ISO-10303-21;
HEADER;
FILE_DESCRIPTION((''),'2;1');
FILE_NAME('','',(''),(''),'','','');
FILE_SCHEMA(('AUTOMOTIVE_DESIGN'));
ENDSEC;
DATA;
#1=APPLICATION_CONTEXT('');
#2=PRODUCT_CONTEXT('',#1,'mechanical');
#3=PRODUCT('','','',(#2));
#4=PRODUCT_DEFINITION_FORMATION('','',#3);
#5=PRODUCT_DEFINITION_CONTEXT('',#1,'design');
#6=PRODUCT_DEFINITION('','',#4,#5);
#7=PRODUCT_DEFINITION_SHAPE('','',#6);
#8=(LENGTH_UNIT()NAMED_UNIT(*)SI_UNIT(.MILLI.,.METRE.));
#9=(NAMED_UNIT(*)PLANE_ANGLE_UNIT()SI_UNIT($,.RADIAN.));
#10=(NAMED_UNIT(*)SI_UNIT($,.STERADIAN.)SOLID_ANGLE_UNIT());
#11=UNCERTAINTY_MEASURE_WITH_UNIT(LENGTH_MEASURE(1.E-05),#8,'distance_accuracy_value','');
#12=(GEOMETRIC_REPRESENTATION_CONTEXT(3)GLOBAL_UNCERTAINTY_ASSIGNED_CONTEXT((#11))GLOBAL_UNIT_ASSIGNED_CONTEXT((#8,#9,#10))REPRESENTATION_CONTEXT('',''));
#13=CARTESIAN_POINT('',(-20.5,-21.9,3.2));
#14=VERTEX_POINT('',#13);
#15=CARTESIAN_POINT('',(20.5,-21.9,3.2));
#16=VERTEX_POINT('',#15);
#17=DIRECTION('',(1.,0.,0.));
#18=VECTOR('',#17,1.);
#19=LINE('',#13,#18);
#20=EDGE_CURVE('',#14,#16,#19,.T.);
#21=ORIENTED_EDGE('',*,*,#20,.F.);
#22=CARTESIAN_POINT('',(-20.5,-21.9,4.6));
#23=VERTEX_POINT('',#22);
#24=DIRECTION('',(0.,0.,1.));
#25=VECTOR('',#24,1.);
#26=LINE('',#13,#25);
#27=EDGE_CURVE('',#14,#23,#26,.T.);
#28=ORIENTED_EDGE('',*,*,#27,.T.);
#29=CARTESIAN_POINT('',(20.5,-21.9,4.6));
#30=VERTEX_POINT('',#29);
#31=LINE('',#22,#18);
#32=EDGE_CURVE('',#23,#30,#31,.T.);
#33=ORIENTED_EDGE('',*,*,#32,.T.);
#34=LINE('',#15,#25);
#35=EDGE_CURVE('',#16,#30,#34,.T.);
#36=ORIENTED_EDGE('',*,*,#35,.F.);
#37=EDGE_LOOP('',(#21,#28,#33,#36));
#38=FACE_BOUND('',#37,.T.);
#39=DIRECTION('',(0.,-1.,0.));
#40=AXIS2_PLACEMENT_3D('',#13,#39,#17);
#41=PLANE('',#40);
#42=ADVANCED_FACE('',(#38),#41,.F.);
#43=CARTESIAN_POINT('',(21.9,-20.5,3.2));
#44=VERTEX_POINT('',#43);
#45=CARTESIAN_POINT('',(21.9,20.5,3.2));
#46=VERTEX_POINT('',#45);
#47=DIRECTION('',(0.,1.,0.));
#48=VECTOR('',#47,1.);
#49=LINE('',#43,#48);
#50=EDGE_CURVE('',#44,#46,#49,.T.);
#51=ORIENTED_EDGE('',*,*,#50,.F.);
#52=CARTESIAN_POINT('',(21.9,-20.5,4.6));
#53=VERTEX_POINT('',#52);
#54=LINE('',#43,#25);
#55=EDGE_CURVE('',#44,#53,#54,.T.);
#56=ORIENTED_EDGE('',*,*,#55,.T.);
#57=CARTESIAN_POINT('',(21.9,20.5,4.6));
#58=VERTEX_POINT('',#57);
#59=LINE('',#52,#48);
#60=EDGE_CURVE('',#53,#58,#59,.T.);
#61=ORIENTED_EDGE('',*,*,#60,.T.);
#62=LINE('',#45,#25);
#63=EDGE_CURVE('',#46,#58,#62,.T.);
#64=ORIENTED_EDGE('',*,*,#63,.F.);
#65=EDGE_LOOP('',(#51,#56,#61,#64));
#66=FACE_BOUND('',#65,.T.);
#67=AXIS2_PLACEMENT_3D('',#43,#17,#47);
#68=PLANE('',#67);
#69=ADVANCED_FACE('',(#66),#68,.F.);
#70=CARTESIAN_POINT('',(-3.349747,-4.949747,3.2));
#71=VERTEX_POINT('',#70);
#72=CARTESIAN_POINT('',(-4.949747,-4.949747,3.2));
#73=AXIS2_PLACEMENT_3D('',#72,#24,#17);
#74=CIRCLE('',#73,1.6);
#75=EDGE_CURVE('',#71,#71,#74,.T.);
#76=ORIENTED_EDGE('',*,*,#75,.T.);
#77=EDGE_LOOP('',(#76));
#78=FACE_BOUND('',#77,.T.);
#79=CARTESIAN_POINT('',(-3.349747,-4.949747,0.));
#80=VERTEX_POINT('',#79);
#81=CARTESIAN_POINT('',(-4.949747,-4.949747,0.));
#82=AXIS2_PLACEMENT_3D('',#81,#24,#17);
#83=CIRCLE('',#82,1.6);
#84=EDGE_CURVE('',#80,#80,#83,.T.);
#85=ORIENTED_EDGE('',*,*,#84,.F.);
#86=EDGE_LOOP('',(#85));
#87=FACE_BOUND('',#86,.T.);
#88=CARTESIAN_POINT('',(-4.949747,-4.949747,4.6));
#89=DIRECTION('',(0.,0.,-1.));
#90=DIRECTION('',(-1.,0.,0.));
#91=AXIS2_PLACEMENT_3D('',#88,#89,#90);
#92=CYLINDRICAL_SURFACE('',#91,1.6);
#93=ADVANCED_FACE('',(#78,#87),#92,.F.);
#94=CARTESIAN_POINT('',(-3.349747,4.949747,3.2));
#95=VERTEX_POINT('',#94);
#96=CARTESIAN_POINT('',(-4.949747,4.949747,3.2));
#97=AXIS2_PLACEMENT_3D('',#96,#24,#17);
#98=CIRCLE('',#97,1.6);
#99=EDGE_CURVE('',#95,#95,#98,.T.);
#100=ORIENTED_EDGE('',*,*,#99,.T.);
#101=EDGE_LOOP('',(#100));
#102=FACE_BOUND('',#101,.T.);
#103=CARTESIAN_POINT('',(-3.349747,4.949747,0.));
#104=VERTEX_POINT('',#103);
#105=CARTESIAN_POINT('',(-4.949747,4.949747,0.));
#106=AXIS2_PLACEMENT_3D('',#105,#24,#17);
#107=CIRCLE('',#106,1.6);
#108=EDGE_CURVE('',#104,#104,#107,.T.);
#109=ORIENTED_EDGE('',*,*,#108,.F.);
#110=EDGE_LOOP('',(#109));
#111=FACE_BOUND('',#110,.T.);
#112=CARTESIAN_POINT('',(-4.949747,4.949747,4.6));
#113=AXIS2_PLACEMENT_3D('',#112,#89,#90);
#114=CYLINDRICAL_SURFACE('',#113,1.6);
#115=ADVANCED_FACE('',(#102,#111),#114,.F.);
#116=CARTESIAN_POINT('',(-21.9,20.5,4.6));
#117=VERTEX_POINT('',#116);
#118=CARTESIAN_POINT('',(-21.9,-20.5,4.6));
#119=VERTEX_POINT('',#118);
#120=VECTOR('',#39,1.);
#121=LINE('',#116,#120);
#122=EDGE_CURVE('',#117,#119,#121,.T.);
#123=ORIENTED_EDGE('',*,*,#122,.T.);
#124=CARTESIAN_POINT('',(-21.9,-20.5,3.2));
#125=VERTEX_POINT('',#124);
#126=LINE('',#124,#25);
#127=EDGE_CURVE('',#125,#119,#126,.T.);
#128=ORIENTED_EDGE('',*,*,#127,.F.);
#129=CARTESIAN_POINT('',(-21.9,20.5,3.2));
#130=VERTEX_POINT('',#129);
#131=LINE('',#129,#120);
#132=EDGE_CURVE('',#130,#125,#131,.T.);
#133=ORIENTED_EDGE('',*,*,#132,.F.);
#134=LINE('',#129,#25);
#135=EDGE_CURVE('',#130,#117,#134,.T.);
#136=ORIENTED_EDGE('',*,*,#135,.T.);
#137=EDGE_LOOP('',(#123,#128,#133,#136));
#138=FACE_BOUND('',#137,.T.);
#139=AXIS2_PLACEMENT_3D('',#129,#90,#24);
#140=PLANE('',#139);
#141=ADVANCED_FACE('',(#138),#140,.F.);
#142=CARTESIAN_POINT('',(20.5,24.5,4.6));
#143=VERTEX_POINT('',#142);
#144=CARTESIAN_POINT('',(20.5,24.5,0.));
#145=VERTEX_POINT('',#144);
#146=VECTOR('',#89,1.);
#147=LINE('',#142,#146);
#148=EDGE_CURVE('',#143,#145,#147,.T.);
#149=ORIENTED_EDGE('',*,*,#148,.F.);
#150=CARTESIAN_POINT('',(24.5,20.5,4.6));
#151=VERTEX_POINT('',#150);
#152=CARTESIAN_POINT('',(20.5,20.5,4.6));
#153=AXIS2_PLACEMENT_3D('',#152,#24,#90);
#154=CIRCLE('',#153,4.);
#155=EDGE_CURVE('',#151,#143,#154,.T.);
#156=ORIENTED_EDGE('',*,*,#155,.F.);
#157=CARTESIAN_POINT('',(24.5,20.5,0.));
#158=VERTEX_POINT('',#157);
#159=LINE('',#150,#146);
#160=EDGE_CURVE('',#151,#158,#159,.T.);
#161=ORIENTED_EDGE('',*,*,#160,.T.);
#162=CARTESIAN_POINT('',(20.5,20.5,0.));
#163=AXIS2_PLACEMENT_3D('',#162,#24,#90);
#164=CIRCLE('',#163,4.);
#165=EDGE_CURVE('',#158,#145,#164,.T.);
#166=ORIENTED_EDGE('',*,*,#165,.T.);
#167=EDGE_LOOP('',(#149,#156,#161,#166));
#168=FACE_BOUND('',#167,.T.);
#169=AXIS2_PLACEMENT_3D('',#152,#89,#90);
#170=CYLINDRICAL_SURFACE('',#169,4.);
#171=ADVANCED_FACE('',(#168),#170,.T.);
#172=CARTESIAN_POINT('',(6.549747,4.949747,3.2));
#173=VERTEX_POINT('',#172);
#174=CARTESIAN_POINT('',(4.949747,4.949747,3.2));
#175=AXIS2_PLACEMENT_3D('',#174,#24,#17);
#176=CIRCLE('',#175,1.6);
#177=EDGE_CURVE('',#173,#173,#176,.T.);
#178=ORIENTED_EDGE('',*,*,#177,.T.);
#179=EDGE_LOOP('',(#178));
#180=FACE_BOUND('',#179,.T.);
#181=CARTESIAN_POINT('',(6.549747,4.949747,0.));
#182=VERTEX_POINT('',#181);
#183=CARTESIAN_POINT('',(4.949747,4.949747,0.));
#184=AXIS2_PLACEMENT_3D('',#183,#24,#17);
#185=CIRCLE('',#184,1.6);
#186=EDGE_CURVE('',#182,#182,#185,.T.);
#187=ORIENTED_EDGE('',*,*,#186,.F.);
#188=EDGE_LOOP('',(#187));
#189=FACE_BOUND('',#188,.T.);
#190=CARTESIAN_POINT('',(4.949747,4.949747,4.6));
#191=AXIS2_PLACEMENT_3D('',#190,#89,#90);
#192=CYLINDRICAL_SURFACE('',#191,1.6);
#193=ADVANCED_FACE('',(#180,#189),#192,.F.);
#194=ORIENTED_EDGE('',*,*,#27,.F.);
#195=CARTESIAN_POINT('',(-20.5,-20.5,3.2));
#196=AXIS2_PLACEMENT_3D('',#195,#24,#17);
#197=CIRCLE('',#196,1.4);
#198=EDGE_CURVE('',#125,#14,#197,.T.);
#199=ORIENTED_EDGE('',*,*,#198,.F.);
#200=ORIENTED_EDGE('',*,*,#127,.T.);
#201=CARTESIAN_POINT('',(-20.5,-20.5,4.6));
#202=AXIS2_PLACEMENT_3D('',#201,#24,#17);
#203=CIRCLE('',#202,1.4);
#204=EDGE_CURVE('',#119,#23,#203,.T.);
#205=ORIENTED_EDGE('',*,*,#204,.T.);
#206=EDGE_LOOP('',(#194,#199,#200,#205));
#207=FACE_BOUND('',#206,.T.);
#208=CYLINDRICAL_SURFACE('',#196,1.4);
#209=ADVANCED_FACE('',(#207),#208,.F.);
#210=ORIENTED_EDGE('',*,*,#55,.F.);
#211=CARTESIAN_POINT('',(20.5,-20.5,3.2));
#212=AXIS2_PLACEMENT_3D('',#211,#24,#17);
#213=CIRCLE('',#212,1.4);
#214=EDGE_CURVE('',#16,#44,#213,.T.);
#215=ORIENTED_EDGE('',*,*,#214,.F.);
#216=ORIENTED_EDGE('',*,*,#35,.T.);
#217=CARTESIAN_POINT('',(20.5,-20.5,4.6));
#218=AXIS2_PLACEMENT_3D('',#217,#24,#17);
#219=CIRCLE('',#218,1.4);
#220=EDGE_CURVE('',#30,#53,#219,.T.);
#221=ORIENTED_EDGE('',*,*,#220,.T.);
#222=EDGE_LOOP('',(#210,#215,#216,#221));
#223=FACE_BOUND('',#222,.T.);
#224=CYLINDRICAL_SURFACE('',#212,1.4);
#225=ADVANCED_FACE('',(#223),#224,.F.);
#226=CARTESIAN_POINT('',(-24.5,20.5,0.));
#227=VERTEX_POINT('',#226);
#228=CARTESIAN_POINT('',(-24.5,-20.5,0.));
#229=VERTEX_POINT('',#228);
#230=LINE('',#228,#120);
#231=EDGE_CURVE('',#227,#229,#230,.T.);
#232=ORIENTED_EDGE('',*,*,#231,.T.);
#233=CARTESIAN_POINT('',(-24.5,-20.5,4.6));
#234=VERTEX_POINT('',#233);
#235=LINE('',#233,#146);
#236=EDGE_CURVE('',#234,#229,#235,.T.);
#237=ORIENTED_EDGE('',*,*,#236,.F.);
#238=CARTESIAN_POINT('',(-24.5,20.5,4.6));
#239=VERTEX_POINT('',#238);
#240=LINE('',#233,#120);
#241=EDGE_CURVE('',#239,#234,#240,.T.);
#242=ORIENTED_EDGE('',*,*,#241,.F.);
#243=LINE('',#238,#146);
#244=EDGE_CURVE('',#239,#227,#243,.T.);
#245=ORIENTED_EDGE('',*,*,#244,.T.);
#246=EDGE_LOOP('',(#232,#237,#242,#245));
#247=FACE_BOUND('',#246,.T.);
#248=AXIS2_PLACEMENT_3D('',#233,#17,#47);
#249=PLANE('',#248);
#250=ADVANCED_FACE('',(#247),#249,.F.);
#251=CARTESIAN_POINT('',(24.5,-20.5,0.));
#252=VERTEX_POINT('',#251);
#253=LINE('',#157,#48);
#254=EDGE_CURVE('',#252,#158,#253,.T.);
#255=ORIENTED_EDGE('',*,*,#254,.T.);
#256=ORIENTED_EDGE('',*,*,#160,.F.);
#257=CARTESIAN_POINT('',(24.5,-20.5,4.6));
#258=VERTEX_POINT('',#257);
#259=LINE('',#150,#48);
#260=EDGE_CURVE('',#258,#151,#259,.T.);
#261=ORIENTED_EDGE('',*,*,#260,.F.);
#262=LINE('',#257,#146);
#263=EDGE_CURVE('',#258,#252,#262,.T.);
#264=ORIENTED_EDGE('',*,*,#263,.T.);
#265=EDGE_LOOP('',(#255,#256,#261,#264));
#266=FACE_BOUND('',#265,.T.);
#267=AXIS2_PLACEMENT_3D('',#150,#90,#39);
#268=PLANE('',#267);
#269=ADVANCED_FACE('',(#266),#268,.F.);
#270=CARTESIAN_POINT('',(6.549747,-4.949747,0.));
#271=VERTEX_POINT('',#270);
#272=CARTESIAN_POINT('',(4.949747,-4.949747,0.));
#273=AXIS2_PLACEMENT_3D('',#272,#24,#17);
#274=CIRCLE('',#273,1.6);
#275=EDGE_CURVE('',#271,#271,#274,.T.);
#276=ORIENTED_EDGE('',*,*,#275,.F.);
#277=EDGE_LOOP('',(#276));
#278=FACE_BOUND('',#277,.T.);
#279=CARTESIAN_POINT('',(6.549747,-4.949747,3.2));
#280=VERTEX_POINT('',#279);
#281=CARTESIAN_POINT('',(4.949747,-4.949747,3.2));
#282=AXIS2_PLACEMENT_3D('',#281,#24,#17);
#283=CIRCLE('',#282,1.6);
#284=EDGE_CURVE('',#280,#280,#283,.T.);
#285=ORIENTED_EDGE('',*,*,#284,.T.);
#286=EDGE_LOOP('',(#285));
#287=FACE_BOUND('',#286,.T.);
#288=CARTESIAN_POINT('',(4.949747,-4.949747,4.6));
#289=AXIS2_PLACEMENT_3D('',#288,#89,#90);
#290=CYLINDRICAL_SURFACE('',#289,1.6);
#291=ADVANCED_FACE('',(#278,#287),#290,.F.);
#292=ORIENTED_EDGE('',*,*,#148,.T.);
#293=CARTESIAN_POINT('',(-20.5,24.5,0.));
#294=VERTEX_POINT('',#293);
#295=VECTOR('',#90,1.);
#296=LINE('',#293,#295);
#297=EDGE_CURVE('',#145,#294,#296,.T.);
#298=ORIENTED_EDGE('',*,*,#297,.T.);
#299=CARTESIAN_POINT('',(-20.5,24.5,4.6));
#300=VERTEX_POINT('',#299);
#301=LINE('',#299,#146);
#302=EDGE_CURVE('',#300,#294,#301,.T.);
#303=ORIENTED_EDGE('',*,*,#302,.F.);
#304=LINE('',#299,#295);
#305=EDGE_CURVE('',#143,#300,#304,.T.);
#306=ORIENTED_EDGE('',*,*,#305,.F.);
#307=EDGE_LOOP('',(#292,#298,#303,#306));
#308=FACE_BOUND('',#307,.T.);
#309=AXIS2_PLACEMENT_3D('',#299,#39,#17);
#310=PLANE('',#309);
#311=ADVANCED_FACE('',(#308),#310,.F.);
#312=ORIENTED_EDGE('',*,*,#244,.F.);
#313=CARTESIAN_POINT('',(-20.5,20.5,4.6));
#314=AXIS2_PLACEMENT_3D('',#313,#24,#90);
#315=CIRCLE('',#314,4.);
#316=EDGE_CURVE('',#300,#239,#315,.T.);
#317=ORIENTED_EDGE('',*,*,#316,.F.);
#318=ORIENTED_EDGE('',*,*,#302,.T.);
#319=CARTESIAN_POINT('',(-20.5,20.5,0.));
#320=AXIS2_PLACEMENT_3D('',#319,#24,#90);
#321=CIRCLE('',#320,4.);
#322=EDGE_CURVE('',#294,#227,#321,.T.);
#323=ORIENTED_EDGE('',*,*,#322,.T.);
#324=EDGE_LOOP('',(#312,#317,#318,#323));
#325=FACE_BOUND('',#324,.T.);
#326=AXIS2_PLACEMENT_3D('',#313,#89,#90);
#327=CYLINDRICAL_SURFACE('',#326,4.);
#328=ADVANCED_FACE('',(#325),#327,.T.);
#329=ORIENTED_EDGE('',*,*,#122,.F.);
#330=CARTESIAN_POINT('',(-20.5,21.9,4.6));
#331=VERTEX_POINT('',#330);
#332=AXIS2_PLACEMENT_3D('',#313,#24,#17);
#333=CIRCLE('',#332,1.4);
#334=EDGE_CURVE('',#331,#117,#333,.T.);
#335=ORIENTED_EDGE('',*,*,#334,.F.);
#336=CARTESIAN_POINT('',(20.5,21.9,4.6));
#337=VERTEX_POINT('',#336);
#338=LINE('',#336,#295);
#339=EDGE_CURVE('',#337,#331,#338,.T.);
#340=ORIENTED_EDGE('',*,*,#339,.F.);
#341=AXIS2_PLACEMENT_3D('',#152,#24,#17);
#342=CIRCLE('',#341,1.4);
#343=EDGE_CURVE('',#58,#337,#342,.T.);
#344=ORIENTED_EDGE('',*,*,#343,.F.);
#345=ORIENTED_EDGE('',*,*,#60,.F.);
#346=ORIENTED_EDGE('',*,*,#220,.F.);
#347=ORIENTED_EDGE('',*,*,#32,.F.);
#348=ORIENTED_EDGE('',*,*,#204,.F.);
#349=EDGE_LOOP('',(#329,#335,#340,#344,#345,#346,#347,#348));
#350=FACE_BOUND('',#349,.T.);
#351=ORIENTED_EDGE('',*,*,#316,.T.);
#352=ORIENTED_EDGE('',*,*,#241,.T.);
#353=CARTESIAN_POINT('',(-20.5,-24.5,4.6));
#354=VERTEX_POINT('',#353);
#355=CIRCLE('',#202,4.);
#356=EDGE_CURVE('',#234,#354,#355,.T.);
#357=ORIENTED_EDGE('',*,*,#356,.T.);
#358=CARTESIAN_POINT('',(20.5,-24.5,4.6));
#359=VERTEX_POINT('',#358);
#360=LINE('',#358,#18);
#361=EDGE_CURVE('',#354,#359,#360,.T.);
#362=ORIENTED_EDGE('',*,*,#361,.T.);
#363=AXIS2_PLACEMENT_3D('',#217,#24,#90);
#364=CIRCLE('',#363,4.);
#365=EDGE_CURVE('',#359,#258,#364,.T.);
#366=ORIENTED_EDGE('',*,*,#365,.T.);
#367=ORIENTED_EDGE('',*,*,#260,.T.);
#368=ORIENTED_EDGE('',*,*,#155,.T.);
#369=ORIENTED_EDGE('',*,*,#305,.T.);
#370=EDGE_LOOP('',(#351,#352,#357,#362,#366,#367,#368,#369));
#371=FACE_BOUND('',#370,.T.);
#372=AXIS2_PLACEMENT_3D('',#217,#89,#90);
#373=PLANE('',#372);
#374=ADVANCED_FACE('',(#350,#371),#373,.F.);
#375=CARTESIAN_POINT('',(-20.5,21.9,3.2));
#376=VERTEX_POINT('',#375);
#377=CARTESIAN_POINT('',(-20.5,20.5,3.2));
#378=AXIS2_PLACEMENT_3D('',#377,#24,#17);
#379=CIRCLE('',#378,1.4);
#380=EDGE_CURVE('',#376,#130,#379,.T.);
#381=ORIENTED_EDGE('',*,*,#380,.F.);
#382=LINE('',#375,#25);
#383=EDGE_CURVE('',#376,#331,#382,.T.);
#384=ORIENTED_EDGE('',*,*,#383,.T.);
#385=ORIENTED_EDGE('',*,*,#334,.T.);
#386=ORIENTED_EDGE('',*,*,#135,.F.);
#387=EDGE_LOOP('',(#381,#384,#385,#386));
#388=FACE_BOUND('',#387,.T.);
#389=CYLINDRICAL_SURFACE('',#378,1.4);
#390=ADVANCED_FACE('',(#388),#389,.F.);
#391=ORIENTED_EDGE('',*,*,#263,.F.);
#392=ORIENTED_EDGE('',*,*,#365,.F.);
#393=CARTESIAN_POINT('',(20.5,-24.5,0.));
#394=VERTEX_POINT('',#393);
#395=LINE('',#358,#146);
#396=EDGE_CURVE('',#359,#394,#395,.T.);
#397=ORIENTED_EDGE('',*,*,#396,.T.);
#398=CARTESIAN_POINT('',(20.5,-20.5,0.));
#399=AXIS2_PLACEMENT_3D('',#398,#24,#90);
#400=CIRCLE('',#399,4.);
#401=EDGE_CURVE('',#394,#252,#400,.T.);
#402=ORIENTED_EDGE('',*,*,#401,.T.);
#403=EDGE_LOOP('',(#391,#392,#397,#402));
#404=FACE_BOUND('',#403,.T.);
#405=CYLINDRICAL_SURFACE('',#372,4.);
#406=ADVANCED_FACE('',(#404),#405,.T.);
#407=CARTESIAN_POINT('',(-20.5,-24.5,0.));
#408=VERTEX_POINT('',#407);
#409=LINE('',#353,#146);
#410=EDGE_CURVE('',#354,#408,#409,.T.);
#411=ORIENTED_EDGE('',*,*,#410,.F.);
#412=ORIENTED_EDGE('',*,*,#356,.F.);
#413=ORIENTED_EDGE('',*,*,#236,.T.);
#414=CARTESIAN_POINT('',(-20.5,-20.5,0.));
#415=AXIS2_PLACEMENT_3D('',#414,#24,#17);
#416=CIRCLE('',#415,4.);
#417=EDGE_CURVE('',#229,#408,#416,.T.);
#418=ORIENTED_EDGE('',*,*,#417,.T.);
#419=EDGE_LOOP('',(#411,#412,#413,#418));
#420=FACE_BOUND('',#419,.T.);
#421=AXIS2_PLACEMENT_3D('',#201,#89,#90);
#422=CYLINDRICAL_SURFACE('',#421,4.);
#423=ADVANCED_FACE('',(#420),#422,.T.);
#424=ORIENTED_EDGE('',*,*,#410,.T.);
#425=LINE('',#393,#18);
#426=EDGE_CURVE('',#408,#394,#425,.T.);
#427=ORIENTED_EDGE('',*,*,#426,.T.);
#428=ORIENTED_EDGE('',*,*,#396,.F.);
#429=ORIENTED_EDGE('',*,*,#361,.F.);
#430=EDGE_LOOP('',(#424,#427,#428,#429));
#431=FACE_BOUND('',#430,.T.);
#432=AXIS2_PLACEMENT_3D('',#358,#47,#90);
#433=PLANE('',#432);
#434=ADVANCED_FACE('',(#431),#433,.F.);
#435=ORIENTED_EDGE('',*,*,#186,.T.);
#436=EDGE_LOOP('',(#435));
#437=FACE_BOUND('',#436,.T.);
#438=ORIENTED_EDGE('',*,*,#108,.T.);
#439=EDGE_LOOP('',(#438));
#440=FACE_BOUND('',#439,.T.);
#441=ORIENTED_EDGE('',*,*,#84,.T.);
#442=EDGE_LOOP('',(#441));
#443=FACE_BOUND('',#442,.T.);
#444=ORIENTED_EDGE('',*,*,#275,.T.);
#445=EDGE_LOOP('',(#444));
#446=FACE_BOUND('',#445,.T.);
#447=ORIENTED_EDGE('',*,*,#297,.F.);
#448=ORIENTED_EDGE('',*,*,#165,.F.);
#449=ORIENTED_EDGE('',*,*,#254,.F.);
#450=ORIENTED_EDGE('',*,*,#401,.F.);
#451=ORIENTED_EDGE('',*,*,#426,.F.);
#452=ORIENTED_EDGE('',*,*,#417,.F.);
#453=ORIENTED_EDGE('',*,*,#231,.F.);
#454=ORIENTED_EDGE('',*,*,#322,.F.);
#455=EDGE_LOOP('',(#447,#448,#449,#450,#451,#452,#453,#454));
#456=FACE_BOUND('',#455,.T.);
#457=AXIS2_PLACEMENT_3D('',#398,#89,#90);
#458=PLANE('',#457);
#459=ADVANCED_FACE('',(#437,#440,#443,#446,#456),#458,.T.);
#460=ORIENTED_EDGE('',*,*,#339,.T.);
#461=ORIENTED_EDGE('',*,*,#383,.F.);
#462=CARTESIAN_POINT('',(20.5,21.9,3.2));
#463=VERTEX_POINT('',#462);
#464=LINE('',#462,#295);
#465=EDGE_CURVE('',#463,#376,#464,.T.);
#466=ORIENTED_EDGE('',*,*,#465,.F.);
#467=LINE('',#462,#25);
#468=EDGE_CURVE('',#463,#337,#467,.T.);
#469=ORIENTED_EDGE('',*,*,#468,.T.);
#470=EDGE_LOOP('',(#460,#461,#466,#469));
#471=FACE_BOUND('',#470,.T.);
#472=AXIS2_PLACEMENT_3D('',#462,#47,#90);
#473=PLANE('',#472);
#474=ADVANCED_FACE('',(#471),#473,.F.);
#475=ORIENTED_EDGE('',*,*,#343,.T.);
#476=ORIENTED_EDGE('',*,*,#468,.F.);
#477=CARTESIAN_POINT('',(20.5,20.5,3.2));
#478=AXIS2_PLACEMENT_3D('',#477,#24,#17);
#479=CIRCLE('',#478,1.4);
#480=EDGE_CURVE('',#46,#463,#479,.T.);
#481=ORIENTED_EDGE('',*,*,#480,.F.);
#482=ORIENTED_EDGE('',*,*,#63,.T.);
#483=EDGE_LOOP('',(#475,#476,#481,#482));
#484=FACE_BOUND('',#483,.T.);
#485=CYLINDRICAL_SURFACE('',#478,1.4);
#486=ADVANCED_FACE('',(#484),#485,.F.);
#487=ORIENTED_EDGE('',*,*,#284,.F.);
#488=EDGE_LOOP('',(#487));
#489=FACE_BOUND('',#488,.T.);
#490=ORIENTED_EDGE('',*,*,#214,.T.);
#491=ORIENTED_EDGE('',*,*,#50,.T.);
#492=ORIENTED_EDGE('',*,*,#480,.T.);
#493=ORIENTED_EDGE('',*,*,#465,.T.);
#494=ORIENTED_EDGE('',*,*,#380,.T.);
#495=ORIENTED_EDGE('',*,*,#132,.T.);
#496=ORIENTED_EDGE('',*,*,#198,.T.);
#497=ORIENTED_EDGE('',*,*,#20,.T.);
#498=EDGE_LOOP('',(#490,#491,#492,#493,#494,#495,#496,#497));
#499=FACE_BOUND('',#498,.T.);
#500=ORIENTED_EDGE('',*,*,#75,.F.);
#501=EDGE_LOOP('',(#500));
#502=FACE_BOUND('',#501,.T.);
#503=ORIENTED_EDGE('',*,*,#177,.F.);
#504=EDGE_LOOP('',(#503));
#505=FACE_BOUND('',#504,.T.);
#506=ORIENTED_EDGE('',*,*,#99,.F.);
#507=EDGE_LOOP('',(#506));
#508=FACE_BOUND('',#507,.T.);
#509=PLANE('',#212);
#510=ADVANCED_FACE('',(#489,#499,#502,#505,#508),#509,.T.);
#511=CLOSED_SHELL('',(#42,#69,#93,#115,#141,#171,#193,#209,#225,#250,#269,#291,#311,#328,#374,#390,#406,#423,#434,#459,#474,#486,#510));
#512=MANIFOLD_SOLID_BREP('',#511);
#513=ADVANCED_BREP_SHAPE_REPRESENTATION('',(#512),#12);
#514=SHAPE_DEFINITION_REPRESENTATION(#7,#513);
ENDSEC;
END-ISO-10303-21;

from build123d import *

# Parameters (mm, degrees)
SKETCH1_R           = 1.6
BOSS_EXTRUDE1_DEPTH = 4.6
CUT_EXTRUDE5_DEPTH  = 1.4


with BuildPart() as part:
    # Sketch1 → Boss-Extrude1 (new body)
    with BuildSketch(Plane.XY):
        with BuildLine():
            Line((-24.5, -20.5), (-24.5, 20.5))
            ThreePointArc((-24.5, 20.5), (-23.328427125, 23.328427125), (-20.5, 24.5))
            Line((-20.5, 24.5), (20.5, 24.5))
            ThreePointArc((20.5, 24.5), (23.328427125, 23.328427125), (24.5, 20.5))
            Line((24.5, 20.5), (24.5, -20.5))
            ThreePointArc((24.5, -20.5), (23.328427125, -23.328427125), (20.5, -24.5))
            Line((20.5, -24.5), (-20.5, -24.5))
            ThreePointArc((-20.5, -24.5), (-23.328427125, -23.328427125), (-24.5, -20.5))
        make_face()
        with Locations((-4.949747468, 4.949747468)):
            Circle(SKETCH1_R, mode=Mode.SUBTRACT)
        with Locations((4.949747468, 4.949747468)):
            Circle(SKETCH1_R, mode=Mode.SUBTRACT)
        with Locations((4.949747468, -4.949747468)):
            Circle(SKETCH1_R, mode=Mode.SUBTRACT)
        with Locations((-4.949747468, -4.949747468)):
            Circle(SKETCH1_R, mode=Mode.SUBTRACT)
    extrude(amount=BOSS_EXTRUDE1_DEPTH)

    # Sketch5 → Cut-Extrude5 (cut)
    with BuildSketch(Plane.XY.offset(4.6)):
        with BuildLine():
            Line((21.9, -20.5), (21.9, 20.5))
            ThreePointArc((21.9, 20.5), (21.489949494, 21.489949494), (20.5, 21.9))
            Line((20.5, 21.9), (-20.5, 21.9))
            ThreePointArc((-20.5, 21.9), (-21.489949494, 21.489949494), (-21.9, 20.5))
            Line((-21.9, 20.5), (-21.9, -20.5))
            ThreePointArc((-21.9, -20.5), (-21.489949494, -21.489949494), (-20.5, -21.9))
            Line((-20.5, -21.9), (20.5, -21.9))
            ThreePointArc((20.5, -21.9), (21.489949494, -21.489949494), (21.9, -20.5))
        make_face()
    extrude(amount=-CUT_EXTRUDE5_DEPTH, mode=Mode.SUBTRACT)


solid = part.part
